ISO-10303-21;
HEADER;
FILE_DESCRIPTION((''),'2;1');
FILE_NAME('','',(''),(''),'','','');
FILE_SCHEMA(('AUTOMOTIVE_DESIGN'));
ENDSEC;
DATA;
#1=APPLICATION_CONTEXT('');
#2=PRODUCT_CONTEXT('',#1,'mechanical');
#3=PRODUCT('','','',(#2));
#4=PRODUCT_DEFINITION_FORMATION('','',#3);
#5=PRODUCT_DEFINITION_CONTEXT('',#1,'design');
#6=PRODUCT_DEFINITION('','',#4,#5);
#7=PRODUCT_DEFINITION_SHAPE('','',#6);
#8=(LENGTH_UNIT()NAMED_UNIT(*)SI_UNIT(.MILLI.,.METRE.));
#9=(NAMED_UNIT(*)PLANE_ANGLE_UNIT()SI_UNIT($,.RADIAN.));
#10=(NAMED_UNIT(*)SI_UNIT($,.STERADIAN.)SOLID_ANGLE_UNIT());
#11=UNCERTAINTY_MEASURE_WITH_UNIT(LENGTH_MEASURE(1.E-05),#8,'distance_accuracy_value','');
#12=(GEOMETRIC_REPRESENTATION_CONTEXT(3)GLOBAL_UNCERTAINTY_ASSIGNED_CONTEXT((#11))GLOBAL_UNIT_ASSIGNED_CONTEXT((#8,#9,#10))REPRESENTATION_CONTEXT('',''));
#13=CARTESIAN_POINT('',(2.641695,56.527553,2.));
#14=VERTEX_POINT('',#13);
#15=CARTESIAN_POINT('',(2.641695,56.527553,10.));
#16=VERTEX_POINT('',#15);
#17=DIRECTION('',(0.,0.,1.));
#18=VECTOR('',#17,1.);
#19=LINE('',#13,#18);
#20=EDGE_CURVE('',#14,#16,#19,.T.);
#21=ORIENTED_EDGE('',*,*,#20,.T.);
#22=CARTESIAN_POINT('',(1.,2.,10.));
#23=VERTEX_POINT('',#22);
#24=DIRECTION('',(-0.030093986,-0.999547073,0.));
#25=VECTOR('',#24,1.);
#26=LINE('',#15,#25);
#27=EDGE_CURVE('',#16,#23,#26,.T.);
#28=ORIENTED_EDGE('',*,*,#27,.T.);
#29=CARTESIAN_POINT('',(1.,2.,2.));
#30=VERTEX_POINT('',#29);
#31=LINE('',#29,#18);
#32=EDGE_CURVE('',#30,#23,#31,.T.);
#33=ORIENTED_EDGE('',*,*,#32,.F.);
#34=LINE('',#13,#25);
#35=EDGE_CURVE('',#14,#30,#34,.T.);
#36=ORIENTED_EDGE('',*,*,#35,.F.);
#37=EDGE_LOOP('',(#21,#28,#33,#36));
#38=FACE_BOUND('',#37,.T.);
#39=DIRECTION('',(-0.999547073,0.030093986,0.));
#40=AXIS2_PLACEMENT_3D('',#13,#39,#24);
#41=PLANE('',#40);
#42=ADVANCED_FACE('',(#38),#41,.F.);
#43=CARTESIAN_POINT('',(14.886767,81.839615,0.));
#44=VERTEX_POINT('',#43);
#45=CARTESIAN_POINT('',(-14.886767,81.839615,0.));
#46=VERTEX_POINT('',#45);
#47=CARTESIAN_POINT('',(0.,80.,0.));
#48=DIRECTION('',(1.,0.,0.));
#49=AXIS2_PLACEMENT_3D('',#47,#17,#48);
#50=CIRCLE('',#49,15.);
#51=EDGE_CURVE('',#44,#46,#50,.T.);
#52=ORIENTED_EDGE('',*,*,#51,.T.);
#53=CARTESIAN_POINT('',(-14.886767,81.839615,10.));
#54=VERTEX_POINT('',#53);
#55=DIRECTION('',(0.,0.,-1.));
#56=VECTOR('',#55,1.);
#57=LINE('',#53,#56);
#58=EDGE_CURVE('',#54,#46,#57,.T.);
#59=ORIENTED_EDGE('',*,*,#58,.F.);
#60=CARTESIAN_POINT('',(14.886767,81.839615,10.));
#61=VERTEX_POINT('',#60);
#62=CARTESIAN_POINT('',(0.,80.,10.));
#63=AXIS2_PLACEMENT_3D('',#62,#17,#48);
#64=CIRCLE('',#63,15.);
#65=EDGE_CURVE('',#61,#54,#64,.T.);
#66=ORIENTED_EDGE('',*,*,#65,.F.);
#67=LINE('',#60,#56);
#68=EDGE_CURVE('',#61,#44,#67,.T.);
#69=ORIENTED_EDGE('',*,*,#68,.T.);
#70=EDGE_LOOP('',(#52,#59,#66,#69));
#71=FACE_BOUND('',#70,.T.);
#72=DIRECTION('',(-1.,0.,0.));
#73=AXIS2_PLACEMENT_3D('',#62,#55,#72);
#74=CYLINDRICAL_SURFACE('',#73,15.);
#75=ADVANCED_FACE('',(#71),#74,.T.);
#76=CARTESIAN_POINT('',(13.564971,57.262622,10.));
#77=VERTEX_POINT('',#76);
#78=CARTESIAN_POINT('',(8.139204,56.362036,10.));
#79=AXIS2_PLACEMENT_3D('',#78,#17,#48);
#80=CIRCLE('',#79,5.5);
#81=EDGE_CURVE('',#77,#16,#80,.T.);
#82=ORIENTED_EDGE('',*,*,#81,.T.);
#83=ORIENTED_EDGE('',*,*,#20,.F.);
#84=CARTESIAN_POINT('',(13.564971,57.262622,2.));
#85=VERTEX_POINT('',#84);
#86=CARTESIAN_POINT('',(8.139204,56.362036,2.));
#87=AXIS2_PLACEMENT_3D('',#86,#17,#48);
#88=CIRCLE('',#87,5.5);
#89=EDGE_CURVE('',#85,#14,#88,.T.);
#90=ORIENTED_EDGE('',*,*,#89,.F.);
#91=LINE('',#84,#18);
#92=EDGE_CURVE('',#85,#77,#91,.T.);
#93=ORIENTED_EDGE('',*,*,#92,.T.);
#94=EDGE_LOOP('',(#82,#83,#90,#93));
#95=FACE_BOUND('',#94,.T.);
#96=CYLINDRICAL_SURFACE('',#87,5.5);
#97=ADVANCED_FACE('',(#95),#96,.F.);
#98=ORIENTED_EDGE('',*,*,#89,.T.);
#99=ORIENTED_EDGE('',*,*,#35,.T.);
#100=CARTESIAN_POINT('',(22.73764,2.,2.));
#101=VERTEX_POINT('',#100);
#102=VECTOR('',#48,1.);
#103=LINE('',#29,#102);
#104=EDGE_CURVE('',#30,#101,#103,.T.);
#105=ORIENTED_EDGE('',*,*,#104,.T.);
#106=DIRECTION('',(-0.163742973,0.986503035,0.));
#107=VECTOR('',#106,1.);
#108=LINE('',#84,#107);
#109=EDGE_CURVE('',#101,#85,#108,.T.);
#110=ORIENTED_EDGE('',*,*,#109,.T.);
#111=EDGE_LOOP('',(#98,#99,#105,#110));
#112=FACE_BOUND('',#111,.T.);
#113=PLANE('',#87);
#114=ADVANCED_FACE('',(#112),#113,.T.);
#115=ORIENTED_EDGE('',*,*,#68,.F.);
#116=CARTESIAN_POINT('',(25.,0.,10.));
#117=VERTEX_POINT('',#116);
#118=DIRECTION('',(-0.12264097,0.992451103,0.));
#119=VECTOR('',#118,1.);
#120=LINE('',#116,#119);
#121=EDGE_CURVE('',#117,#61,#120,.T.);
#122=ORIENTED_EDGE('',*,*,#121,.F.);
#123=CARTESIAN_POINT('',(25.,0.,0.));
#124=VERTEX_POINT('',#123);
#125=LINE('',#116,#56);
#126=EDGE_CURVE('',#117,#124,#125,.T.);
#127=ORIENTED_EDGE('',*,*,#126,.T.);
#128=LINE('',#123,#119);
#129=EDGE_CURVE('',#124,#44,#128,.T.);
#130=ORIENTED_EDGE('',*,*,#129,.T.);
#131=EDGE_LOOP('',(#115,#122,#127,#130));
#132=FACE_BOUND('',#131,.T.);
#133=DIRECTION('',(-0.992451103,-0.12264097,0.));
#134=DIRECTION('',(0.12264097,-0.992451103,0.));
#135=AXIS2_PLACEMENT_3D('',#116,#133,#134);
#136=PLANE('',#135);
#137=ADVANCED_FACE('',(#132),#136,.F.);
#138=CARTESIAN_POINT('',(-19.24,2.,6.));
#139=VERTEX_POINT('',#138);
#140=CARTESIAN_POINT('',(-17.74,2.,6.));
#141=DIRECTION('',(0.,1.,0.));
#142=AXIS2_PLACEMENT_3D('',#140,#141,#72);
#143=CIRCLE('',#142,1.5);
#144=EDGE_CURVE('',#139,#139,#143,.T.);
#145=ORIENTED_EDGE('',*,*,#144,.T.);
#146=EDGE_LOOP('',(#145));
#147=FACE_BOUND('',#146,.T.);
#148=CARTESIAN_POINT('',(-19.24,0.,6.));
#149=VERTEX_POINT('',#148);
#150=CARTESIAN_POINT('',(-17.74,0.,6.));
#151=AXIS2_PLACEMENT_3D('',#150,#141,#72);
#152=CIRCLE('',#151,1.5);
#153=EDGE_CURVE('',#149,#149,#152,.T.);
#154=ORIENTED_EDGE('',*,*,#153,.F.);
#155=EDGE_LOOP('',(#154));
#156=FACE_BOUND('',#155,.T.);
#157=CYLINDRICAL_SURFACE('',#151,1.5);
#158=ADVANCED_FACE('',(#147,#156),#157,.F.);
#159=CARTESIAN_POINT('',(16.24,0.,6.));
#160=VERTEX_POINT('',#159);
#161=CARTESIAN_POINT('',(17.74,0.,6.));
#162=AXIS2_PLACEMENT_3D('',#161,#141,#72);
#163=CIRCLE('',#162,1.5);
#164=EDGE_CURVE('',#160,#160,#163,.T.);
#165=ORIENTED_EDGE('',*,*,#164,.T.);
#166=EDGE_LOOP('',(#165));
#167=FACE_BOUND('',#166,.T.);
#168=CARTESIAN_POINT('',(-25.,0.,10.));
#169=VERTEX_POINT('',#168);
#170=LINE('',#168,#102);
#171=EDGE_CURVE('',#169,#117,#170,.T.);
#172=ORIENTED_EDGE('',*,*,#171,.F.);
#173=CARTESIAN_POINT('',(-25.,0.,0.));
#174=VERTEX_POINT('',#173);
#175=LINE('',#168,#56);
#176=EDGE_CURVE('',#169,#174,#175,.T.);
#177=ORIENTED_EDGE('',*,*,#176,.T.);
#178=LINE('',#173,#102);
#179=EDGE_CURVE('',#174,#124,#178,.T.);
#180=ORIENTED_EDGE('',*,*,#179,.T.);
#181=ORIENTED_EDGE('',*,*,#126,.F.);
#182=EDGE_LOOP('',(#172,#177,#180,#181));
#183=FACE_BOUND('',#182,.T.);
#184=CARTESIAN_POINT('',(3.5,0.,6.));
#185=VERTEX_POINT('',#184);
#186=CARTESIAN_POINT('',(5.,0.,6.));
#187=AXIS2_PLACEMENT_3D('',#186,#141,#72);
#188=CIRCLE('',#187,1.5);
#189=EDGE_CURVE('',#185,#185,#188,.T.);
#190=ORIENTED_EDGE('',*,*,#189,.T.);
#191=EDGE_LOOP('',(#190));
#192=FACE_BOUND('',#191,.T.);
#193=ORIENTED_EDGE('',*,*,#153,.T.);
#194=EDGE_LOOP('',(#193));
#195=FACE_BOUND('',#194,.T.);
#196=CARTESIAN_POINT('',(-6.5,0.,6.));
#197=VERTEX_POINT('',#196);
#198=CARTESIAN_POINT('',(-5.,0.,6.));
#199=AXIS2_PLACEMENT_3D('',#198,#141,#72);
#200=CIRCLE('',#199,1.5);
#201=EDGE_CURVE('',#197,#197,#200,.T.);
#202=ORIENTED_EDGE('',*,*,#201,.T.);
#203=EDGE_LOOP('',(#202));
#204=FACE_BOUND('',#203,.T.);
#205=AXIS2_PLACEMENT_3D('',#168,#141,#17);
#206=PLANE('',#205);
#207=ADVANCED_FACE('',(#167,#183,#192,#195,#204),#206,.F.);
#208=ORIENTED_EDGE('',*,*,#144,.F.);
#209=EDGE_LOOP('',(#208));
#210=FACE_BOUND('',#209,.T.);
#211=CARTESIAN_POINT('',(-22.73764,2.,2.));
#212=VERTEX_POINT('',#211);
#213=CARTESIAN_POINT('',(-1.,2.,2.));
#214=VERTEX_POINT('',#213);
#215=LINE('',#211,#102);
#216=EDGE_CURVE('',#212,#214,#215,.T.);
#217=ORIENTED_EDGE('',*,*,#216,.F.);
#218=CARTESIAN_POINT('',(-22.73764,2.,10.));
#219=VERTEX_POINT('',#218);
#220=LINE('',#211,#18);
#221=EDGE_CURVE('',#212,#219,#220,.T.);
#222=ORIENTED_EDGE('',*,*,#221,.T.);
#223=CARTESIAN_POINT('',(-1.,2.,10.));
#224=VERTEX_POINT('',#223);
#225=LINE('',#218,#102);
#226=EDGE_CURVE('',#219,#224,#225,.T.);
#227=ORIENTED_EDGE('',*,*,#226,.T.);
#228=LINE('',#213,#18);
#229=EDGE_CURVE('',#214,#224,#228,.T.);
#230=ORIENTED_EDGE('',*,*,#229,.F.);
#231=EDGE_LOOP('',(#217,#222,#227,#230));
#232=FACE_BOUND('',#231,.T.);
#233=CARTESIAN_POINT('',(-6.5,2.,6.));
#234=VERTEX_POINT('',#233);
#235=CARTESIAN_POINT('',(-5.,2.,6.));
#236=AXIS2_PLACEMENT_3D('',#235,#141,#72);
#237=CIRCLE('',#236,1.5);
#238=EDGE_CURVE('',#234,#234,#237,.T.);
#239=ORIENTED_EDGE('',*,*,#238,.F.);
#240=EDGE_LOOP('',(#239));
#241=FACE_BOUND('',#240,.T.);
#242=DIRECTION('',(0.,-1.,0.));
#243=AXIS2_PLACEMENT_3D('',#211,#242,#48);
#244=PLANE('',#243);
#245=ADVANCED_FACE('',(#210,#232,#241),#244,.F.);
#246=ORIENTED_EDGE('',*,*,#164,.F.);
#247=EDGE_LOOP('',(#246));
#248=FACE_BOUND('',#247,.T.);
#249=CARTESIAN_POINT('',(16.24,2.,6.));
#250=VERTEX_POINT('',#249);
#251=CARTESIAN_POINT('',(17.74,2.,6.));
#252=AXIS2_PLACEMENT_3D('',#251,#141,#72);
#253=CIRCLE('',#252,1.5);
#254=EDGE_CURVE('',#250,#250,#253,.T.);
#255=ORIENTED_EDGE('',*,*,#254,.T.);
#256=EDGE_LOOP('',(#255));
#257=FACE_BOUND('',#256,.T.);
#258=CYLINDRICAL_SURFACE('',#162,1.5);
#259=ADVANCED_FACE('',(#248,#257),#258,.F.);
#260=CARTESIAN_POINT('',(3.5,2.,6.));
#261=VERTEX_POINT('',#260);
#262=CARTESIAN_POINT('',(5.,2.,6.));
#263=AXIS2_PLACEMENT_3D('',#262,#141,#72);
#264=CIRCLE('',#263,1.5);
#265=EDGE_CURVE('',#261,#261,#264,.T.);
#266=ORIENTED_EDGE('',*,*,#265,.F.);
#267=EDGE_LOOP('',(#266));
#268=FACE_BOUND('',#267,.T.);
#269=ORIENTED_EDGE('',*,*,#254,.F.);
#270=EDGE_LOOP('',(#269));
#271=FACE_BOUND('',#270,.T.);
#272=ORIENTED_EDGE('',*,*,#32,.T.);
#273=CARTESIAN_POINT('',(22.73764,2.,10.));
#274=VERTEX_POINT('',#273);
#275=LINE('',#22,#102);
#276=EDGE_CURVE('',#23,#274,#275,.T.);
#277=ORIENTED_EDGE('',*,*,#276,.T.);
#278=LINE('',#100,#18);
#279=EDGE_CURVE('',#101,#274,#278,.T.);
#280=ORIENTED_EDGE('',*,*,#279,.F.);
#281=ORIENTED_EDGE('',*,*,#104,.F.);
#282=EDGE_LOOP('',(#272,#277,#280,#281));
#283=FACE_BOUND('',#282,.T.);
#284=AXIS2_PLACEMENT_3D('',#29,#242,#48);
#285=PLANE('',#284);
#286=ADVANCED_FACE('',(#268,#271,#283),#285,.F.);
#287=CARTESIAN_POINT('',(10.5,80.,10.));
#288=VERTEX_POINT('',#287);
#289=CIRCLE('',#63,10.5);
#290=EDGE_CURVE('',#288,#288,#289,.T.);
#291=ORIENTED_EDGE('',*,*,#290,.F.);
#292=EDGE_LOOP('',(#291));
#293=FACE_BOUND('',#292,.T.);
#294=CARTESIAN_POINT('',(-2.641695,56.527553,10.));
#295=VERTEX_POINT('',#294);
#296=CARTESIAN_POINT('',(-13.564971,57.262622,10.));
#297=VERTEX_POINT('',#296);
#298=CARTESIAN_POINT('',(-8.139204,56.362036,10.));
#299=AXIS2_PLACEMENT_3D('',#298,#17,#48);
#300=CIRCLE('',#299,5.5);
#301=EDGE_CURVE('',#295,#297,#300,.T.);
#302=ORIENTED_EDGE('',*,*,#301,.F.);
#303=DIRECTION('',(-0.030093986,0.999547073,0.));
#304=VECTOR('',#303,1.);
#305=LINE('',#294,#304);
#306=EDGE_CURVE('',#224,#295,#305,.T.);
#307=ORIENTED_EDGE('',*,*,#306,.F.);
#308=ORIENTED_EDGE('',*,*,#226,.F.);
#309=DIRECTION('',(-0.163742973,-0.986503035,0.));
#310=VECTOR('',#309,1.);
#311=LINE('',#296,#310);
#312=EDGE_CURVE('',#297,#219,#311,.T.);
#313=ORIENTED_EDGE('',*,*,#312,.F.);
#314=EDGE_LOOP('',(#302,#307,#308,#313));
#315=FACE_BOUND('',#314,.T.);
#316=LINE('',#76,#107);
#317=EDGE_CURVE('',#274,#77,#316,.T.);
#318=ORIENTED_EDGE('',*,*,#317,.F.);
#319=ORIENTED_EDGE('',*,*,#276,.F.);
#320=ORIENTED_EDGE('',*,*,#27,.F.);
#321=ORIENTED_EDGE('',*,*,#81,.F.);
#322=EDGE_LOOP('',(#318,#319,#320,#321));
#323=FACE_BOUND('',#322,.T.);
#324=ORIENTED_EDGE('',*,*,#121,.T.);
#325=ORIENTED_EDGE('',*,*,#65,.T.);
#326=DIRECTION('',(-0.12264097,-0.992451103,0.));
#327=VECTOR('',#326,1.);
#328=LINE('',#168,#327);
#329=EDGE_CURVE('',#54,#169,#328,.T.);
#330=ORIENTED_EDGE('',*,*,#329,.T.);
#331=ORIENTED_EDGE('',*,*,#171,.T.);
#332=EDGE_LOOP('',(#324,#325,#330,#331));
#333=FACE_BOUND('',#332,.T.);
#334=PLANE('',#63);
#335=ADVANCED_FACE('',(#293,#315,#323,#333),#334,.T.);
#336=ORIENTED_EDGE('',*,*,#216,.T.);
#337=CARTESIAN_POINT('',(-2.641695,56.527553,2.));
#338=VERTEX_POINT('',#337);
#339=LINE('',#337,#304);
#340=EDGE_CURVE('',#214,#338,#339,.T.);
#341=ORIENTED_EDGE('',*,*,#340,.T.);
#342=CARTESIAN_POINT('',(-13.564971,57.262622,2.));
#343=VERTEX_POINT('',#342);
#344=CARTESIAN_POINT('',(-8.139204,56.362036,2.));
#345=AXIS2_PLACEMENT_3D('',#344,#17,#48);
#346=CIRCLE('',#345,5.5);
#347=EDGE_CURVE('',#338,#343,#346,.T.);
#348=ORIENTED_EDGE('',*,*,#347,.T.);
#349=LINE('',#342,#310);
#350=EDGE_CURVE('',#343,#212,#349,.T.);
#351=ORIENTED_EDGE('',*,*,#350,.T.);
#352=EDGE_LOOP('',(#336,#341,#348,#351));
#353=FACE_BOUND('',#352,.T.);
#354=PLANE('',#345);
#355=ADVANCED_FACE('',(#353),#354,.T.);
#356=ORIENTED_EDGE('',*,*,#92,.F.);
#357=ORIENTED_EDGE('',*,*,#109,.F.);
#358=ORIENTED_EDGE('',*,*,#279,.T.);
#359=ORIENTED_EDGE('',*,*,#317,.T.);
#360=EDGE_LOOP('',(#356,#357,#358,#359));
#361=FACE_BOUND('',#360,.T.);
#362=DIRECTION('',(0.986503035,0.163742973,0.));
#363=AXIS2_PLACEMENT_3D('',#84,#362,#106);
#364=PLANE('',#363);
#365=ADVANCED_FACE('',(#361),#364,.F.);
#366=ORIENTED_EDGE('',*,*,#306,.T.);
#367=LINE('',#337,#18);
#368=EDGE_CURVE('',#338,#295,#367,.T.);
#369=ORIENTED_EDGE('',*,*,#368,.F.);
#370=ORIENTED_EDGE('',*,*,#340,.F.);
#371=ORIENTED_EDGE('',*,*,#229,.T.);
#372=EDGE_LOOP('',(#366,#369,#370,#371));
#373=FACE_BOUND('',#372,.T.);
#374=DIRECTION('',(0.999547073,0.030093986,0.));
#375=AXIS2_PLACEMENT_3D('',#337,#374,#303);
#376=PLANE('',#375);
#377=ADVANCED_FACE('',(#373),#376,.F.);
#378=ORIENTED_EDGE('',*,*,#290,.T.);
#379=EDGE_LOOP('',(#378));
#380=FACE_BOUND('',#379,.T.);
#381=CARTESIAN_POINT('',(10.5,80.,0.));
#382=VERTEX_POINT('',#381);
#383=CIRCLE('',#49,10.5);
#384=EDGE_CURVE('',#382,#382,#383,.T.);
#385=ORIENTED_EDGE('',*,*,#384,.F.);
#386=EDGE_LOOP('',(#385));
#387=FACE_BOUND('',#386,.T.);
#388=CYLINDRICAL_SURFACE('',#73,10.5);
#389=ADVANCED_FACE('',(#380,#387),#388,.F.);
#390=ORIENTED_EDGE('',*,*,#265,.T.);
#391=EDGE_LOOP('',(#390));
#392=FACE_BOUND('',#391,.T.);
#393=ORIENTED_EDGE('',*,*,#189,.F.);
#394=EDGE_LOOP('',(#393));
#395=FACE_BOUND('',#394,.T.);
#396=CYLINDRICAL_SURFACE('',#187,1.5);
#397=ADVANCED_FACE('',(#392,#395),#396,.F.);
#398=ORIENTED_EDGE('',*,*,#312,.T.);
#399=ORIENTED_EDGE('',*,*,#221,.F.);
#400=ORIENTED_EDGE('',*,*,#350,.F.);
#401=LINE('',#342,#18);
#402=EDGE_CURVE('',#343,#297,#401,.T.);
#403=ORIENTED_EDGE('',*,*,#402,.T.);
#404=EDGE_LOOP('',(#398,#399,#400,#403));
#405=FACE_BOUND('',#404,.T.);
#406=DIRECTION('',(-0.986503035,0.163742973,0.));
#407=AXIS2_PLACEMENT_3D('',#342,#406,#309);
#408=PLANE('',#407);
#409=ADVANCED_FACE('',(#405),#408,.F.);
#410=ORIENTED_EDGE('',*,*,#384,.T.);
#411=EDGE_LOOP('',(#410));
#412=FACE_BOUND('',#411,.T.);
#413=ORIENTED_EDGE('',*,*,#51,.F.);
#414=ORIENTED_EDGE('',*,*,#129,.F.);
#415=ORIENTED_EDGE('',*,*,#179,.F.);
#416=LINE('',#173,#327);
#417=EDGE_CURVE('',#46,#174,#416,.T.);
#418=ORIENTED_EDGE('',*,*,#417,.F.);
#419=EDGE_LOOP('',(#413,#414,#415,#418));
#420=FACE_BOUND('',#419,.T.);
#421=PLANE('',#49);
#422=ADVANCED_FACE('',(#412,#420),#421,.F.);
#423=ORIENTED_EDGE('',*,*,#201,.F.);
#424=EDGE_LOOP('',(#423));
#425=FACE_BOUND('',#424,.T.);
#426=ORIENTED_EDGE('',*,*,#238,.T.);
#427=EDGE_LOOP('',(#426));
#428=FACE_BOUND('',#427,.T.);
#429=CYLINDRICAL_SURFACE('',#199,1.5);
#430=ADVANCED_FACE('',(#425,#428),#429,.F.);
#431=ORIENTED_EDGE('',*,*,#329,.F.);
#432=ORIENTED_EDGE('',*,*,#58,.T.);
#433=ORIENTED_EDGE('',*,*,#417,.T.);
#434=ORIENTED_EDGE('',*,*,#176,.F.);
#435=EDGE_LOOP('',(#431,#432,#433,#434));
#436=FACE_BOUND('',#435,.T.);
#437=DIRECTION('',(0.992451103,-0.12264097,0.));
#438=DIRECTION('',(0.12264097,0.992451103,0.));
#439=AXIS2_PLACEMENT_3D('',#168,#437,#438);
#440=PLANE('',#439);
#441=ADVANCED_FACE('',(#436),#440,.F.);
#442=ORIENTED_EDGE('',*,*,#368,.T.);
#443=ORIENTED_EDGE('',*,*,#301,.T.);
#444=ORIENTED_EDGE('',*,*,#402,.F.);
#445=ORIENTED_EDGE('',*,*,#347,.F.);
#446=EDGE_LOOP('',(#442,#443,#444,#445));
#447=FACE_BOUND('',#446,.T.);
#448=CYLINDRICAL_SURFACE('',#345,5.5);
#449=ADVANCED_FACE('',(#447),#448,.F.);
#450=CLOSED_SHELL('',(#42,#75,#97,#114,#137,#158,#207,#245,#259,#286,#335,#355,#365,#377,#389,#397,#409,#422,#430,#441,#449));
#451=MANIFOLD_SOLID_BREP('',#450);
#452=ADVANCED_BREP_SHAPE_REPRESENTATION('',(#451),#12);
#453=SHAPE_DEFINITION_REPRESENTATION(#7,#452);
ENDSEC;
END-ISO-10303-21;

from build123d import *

# Parameters (mm, degrees)
SKETCH_1_R          = 10.5
EXTRUDE_1_DEPTH     = 10
CUT_EXTRUDE_2_DEPTH = 8
SKETCH_3_R          = 1.5
CUT_EXTRUDE_3_DEPTH = 97.81941954


with BuildPart() as part:
    # 草图1 → 凸台-拉伸1 (new body)
    with BuildSketch(Plane.XY):
        with BuildLine():
            Line((-25, 0), (25, 0))
            Line((25, 0), (14.88676655, 81.839614547))
            ThreePointArc((14.88676655, 81.839614547), (0, 95), (-14.88676655, 81.839614547))
            Line((-14.88676655, 81.839614547), (-25, 0))
        make_face()
        with Locations((0, 80)):
            Circle(SKETCH_1_R, mode=Mode.SUBTRACT)
    extrude(amount=EXTRUDE_1_DEPTH)

    # 草图2 → 切除-拉伸2 (cut)
    with BuildSketch(Plane.XY.offset(10)):
        with BuildLine():
            Line((-13.564970556, 57.262621959), (-22.737639737, 2))
            Line((-22.737639737, 2), (-1, 2))
            Line((-1, 2), (-2.641694958, 56.527552532))
            ThreePointArc((-2.641694958, 56.527552532), (-7.769922801, 61.84962447), (-13.564970556, 57.262621959))
        make_face()
        with BuildLine():
            Line((2.641694958, 56.527552532), (1, 2))
            Line((1, 2), (22.737639737, 2))
            Line((22.737639737, 2), (13.564970556, 57.262621959))
            ThreePointArc((13.564970556, 57.262621959), (7.769922801, 61.84962447), (2.641694958, 56.527552532))
        make_face()
    extrude(amount=-CUT_EXTRUDE_2_DEPTH, mode=Mode.SUBTRACT)

    # 草图3 → 切除-拉伸3 (cut, through all)
    with BuildSketch(Plane(origin=(0, 2, 0), x_dir=(1, 0, 0), z_dir=(0, 1, 0))):
        with Locations(Location((-17.74, -6, 0), (0, 0, 180))):
            Circle(SKETCH_3_R)
        with Locations(Location((-5, -6, 0), (0, 0, 180))):
            Circle(SKETCH_3_R)
        with Locations(Location((5, -6, 0), (0, 0, 180))):
            Circle(SKETCH_3_R)
        with Locations(Location((17.74, -6, 0), (0, 0, 180))):
            Circle(SKETCH_3_R)
    extrude(amount=-CUT_EXTRUDE_3_DEPTH, mode=Mode.SUBTRACT)


solid = part.part
